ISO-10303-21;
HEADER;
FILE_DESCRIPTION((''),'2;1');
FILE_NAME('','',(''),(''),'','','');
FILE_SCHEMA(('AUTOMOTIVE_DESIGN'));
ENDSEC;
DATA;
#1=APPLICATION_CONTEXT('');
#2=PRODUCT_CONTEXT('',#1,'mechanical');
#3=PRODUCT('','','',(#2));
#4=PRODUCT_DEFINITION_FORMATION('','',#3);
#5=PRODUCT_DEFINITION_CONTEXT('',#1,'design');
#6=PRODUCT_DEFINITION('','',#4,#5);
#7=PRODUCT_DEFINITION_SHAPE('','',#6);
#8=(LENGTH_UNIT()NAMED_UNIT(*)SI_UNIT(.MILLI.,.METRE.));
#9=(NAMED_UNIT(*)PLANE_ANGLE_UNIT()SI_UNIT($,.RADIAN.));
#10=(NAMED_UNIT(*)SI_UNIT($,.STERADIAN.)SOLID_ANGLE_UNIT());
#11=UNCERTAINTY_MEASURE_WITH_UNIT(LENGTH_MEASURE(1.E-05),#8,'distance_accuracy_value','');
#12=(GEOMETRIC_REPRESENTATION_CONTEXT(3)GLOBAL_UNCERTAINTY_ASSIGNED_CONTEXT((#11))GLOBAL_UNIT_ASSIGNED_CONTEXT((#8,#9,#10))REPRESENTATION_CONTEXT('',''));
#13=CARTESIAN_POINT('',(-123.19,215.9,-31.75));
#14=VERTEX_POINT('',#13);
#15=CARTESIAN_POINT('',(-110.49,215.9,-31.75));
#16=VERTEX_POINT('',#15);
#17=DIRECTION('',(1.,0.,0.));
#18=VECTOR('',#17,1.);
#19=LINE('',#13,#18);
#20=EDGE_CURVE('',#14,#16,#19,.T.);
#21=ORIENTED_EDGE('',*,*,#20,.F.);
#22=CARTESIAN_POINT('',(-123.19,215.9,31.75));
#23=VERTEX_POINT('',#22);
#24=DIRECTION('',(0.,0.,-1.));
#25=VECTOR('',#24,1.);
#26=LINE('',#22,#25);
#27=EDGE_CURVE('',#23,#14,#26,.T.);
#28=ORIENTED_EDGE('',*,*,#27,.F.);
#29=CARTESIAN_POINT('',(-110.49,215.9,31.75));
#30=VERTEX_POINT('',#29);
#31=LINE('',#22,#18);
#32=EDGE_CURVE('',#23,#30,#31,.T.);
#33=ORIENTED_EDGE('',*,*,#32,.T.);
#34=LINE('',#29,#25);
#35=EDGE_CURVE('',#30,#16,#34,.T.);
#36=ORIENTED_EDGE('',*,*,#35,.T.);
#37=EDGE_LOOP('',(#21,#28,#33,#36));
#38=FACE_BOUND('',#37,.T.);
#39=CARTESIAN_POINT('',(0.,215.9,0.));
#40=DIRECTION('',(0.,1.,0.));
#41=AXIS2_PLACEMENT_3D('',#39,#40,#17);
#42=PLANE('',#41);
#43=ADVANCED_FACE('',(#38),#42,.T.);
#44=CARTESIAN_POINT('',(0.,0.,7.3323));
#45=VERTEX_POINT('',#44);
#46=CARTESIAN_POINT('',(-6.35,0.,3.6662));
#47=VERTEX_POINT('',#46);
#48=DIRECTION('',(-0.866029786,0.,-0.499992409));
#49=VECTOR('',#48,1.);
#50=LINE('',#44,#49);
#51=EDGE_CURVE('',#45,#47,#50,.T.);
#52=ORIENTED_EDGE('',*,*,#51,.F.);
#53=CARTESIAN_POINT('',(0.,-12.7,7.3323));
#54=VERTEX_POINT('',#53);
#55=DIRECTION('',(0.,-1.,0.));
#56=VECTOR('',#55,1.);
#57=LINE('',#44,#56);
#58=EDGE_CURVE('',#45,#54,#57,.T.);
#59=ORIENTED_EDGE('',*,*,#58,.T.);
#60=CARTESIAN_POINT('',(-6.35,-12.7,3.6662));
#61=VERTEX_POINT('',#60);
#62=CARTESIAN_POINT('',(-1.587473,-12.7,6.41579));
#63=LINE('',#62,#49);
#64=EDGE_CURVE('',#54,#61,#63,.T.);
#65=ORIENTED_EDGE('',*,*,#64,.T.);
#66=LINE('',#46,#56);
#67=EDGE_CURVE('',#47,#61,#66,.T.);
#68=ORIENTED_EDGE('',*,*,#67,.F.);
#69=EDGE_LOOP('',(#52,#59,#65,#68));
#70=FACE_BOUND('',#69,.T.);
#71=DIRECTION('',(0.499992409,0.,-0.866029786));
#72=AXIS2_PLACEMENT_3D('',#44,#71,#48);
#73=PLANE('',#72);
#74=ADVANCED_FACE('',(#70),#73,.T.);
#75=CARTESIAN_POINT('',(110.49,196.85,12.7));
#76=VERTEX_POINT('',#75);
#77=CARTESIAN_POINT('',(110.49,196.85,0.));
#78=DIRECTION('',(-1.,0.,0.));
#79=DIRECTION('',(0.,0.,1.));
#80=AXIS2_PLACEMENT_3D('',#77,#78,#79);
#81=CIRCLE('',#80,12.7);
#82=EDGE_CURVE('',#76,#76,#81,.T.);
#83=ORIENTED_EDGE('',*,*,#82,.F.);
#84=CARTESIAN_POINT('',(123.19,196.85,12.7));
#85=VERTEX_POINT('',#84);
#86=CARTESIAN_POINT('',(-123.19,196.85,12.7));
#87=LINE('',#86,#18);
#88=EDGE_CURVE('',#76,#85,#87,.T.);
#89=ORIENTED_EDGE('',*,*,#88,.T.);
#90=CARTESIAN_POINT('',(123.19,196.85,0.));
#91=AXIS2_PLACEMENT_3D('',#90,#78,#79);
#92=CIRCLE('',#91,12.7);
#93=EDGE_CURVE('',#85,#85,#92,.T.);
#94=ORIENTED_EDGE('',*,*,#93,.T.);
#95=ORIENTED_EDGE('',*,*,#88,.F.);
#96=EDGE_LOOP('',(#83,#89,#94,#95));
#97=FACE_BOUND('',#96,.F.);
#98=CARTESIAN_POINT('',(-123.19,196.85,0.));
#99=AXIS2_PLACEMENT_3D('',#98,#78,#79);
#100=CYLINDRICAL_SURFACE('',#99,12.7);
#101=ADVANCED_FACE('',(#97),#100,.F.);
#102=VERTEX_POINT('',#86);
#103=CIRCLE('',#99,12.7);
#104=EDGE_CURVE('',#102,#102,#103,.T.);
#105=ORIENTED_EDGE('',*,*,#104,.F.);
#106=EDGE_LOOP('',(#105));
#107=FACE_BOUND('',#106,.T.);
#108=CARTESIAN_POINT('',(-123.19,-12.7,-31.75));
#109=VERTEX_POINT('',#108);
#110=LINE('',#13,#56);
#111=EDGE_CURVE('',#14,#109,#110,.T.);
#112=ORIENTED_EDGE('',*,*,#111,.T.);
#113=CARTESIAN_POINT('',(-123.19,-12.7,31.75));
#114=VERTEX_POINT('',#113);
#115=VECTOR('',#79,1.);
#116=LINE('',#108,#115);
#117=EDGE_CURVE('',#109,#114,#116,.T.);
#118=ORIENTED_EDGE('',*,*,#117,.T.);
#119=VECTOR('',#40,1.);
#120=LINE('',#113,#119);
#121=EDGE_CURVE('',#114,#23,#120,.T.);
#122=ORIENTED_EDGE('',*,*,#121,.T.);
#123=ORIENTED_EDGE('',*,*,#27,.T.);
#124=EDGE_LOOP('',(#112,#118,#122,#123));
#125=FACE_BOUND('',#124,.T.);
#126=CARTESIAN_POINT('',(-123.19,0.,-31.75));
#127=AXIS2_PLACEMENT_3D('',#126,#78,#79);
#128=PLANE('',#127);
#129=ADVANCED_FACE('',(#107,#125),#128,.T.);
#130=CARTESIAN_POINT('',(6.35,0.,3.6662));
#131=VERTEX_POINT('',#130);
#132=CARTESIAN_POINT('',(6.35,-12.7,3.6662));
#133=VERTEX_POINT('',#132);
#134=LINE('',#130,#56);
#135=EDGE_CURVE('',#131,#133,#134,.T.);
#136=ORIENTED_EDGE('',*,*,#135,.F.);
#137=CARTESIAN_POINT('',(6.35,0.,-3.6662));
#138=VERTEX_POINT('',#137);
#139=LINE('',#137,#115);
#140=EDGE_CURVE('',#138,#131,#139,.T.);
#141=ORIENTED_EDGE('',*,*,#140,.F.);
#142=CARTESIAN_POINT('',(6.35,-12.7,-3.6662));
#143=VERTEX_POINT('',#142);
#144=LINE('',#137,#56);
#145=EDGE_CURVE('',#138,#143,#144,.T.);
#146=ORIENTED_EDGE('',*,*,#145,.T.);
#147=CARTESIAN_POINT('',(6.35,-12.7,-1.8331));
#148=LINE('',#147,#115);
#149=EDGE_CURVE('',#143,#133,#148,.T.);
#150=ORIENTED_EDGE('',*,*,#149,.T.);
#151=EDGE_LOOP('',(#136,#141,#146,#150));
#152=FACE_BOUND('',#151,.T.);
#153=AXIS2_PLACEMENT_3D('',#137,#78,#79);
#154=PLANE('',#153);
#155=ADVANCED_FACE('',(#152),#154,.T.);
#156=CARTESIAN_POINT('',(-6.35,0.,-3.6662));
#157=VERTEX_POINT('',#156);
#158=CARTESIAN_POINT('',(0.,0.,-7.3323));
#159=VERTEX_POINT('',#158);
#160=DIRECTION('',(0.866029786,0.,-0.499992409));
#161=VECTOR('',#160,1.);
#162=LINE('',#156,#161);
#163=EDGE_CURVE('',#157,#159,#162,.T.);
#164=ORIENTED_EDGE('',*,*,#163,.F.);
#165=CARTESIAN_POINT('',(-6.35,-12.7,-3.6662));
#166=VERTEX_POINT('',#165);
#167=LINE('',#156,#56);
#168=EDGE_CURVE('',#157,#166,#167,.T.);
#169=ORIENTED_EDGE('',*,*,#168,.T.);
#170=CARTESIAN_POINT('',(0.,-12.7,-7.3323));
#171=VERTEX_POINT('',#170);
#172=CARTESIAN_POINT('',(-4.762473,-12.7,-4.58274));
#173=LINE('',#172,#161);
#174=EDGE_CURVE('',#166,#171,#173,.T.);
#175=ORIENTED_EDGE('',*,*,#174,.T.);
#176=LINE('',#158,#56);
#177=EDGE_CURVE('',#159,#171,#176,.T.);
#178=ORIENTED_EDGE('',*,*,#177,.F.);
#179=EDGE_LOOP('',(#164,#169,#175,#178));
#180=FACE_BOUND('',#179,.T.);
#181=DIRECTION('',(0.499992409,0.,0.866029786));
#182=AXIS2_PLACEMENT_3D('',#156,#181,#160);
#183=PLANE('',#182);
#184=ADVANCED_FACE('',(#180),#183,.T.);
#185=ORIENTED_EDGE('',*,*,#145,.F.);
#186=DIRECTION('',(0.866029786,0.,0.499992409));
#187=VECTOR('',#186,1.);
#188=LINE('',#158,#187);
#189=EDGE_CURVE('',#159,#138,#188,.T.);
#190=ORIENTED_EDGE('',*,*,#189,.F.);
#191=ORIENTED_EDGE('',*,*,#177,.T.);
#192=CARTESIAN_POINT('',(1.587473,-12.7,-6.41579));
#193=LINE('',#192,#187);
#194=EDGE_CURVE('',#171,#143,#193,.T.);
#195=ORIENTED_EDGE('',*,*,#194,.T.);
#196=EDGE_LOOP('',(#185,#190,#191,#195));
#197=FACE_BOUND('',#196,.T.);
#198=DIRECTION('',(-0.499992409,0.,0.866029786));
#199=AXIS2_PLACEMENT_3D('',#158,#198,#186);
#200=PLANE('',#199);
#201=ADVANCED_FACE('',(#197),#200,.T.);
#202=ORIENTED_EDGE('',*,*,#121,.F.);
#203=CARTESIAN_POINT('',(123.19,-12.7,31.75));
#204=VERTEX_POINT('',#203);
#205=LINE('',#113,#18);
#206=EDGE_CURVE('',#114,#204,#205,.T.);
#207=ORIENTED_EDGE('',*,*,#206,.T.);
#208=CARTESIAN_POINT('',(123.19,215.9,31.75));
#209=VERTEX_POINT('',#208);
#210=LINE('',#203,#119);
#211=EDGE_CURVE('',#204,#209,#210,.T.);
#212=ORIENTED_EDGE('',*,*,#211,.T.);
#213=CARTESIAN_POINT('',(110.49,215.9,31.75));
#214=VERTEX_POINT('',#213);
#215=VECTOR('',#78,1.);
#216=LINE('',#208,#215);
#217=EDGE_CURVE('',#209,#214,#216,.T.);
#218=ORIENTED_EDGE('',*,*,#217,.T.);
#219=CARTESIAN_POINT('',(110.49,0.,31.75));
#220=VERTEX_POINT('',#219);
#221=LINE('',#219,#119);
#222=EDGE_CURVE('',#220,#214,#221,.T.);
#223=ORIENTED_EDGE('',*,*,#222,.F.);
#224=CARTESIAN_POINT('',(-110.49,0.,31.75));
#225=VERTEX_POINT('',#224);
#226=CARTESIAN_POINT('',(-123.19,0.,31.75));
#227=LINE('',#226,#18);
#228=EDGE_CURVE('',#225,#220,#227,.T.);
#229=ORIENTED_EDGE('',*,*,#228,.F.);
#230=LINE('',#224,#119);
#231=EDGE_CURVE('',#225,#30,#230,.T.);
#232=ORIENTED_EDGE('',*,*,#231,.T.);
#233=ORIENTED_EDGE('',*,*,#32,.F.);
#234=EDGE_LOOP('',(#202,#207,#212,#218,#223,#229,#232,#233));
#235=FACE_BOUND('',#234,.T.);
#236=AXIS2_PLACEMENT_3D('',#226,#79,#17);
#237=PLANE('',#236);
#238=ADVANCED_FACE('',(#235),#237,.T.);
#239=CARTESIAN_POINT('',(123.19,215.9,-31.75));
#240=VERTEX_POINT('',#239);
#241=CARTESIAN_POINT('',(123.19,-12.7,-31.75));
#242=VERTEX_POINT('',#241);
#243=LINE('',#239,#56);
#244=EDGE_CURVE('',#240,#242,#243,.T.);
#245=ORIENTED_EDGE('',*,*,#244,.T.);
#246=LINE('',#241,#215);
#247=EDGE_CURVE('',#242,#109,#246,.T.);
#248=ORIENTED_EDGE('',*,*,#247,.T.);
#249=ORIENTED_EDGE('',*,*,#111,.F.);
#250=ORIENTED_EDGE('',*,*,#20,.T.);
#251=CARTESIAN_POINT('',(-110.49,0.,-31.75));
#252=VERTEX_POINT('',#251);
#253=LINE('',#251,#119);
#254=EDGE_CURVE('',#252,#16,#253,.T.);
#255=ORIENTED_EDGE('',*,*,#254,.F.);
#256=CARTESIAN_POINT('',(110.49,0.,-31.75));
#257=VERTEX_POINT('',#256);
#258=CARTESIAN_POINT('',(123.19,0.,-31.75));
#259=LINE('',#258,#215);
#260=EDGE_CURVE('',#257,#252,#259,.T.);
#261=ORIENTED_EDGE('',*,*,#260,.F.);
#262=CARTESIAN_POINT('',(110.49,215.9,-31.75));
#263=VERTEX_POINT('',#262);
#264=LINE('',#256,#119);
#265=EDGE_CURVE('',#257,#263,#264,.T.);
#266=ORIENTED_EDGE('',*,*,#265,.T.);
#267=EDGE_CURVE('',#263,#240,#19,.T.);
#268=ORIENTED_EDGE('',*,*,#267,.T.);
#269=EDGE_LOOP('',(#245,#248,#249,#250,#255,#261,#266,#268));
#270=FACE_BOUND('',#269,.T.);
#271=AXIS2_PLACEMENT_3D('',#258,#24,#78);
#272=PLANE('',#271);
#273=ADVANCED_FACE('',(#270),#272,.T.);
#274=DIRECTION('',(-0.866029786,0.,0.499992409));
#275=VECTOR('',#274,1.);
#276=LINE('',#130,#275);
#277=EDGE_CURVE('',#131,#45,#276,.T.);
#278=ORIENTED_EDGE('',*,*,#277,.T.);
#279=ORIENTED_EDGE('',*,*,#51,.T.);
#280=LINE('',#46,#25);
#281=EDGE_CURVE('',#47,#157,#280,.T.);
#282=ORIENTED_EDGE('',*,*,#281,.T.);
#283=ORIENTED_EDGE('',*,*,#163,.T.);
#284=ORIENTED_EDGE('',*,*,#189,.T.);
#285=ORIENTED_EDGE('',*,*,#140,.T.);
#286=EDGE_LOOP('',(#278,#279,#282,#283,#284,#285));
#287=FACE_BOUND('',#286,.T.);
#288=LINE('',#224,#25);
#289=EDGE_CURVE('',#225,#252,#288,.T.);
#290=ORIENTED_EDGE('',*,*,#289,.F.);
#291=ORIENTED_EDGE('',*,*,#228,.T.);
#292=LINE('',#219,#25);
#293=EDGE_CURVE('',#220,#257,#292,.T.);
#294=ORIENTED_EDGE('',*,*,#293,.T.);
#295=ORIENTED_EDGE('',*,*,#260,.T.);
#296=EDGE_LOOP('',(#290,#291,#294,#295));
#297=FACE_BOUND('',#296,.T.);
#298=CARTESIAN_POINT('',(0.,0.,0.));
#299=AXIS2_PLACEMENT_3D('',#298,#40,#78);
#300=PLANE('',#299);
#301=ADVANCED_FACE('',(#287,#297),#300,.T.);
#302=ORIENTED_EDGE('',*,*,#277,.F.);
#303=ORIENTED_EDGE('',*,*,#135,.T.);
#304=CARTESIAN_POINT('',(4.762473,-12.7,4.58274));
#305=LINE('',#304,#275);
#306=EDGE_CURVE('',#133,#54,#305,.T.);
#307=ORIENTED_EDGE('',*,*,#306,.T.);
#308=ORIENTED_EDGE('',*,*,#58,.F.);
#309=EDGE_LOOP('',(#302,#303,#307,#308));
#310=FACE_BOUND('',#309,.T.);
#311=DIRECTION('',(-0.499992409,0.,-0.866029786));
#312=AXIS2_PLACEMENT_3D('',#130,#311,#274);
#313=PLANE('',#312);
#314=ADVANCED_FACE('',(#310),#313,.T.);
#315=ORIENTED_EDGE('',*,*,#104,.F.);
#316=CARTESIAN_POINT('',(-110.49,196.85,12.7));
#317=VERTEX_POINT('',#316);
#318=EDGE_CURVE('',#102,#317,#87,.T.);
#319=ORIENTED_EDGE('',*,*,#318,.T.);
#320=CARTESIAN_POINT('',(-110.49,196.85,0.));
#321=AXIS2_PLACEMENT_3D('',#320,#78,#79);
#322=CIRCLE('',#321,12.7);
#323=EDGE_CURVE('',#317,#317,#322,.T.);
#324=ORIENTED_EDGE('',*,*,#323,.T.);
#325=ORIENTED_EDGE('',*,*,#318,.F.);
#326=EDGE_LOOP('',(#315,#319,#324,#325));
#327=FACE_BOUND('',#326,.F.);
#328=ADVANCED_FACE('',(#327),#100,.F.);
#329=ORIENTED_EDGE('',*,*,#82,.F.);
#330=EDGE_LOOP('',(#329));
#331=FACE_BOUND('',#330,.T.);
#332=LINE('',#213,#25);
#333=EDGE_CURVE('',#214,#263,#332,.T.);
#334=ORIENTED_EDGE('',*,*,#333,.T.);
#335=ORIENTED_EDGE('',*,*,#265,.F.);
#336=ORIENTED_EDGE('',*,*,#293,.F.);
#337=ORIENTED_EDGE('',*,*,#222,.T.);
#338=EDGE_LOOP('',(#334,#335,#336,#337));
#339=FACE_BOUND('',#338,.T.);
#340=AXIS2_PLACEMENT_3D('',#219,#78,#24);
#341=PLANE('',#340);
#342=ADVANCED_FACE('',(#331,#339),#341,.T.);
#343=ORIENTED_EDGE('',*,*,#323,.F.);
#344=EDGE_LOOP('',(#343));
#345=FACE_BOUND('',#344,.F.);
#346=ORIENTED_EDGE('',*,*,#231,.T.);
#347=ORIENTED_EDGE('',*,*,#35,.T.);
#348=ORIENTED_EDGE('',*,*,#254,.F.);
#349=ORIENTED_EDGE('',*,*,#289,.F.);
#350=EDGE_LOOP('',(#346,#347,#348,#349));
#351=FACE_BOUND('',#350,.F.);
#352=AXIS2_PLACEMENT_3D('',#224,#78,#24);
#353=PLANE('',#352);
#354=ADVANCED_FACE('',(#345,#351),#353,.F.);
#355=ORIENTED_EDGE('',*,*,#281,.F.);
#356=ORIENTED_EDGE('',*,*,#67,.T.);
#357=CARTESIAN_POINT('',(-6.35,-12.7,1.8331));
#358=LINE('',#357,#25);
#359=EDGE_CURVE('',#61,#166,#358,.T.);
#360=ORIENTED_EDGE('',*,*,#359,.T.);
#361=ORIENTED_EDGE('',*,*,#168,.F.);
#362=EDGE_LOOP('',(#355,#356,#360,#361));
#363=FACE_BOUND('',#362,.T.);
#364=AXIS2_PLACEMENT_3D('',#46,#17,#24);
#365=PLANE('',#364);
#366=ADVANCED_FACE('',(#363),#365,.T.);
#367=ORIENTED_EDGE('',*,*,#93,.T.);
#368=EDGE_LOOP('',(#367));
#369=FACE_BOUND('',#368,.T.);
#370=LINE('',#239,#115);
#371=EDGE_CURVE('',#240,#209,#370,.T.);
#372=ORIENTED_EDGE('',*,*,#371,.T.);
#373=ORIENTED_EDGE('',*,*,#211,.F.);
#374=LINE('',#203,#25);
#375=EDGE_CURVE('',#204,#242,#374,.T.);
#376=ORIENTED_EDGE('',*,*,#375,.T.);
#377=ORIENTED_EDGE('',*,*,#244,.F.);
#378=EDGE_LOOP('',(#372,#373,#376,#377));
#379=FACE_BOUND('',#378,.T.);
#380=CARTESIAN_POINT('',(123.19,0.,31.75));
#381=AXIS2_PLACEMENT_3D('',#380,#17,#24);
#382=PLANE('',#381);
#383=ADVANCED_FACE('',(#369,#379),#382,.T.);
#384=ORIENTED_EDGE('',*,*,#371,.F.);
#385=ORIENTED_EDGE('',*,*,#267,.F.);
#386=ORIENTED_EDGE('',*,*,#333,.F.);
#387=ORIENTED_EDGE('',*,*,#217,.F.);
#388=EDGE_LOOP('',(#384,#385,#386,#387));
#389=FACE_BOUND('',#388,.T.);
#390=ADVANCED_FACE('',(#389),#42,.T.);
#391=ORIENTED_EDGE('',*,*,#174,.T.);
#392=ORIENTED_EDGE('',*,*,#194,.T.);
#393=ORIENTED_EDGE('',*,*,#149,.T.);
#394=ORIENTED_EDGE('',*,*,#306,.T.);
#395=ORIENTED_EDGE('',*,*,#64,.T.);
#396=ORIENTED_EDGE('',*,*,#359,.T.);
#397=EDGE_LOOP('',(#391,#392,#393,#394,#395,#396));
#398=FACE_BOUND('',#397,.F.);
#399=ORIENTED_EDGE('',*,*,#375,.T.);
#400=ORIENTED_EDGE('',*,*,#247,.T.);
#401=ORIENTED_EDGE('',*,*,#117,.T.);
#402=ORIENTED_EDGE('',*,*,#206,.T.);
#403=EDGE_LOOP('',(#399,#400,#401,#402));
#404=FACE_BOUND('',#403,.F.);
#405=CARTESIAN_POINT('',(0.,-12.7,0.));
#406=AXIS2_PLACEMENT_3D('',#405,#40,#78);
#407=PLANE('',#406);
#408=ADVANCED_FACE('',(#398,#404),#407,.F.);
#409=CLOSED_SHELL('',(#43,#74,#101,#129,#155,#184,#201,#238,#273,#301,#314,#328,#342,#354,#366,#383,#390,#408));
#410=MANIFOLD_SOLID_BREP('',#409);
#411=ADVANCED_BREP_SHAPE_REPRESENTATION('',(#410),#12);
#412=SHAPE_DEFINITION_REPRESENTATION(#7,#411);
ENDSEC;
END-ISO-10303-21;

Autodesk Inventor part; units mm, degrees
ref_plane "YZ Plane" through (0, 0, 0) normal (1, 0, 0) x (0, 1, 0)
ref_plane "XZ Plane" through (0, 0, 0) normal (0, 1, 0) x (-1, 0, 0)
ref_plane "XY Plane" through (0, 0, 0) normal (0, 0, 1) x (1, 0, 0)
sketch "Sketch1" plane through (0, 0, 0) normal (0, 1, 0) x (-1, 0, 0)
  line L0 (123.19, 31.75) -> (-123.19, 31.75)
  line L1 (-123.19, 31.75) -> (-123.19, -31.75)
  line L2 (-123.19, -31.75) -> (123.19, -31.75)
  line L3 (123.19, -31.75) -> (123.19, 31.75)
  line L4 (123.19, 31.75) -> (-123.19, -31.75) construction
  line L5 (-123.19, 31.75) -> (123.19, -31.75) construction
  point P0 (0, 0)
  dimension "d0" = 246.38
  dimension "d1" = 63.5
extrude "Extrusion1" add sketch "Sketch1" against normal blind 12.7
sketch "Sketch2" plane through (0, 0, 0) normal (0, 1, 0) x (1, 0, 0)
  line L0 (-123.19, -31.75) -> (-123.19, 31.75) projected
  line L1 (-123.19, 31.75) -> (123.19, 31.75) projected
  line L2 (-123.19, -31.75) -> (-110.49, -31.75)
  line L3 (-110.49, -31.75) -> (-110.49, 31.75)
  line L4 (-110.49, 31.75) -> (-123.19, 31.75)
  line L5 (-123.19, 31.75) -> (-123.19, -31.75)
  line L6 (123.19, 31.75) -> (123.19, -31.75) projected
  line L7 (123.19, -31.75) -> (110.49, -31.75)
  line L8 (110.49, -31.75) -> (110.49, 31.75)
  line L9 (110.49, 31.75) -> (123.19, 31.75)
  line L10 (123.19, 31.75) -> (123.19, -31.75)
  point P0 (0, 0)
  dimension "d4" = 12.7
  dimension "d5" = 12.7
extrude "Extrusion2" add sketch "Sketch2" along normal blind 215.9
sketch "Sketch3" plane through (-123.19, -12.7, -31.75) normal (-1, 0, 0) x (0, 0, 1)
  line L0 (0, 228.6) -> (63.5, 228.6) construction
  line L1 (31.75, 228.6) -> (31.75, 0) construction
  line L2 (63.5, 0) -> (0, 0) construction
  circle A0 centre (31.75, 209.55) radius 12.7
  line L3 (0, 12.7) -> (0, 228.6) construction
  line L4 (0, 222.25) -> (38.1, 222.25) construction
  point P0 (31.75, 12.7)
  dimension "d8" = 25.4
  dimension "d9" = 6.35
extrude "Extrusion3" cut sketch "Sketch3" against normal through all
sketch "Sketch4" plane through (0, 0, 0) normal (0, 1, 0) x (1, 0, 0)
  line L0 (6.35, 3.6662) -> (6.35, -3.6662)
  line L1 (6.35, -3.6662) -> (0, -7.3323)
  line L2 (0, -7.3323) -> (-6.35, -3.6662)
  line L3 (-6.35, -3.6662) -> (-6.35, 3.6662)
  line L4 (-6.35, 3.6662) -> (0, 7.3323)
  line L5 (0, 7.3323) -> (6.35, 3.6662)
  point P0 (0, 0)
  point P1 (0, 0)
  dimension "d13" = 12.7
extrude "Extrusion4" cut sketch "Sketch4" against normal through all
properties part number "forkV03" material "PBT Plastic"
